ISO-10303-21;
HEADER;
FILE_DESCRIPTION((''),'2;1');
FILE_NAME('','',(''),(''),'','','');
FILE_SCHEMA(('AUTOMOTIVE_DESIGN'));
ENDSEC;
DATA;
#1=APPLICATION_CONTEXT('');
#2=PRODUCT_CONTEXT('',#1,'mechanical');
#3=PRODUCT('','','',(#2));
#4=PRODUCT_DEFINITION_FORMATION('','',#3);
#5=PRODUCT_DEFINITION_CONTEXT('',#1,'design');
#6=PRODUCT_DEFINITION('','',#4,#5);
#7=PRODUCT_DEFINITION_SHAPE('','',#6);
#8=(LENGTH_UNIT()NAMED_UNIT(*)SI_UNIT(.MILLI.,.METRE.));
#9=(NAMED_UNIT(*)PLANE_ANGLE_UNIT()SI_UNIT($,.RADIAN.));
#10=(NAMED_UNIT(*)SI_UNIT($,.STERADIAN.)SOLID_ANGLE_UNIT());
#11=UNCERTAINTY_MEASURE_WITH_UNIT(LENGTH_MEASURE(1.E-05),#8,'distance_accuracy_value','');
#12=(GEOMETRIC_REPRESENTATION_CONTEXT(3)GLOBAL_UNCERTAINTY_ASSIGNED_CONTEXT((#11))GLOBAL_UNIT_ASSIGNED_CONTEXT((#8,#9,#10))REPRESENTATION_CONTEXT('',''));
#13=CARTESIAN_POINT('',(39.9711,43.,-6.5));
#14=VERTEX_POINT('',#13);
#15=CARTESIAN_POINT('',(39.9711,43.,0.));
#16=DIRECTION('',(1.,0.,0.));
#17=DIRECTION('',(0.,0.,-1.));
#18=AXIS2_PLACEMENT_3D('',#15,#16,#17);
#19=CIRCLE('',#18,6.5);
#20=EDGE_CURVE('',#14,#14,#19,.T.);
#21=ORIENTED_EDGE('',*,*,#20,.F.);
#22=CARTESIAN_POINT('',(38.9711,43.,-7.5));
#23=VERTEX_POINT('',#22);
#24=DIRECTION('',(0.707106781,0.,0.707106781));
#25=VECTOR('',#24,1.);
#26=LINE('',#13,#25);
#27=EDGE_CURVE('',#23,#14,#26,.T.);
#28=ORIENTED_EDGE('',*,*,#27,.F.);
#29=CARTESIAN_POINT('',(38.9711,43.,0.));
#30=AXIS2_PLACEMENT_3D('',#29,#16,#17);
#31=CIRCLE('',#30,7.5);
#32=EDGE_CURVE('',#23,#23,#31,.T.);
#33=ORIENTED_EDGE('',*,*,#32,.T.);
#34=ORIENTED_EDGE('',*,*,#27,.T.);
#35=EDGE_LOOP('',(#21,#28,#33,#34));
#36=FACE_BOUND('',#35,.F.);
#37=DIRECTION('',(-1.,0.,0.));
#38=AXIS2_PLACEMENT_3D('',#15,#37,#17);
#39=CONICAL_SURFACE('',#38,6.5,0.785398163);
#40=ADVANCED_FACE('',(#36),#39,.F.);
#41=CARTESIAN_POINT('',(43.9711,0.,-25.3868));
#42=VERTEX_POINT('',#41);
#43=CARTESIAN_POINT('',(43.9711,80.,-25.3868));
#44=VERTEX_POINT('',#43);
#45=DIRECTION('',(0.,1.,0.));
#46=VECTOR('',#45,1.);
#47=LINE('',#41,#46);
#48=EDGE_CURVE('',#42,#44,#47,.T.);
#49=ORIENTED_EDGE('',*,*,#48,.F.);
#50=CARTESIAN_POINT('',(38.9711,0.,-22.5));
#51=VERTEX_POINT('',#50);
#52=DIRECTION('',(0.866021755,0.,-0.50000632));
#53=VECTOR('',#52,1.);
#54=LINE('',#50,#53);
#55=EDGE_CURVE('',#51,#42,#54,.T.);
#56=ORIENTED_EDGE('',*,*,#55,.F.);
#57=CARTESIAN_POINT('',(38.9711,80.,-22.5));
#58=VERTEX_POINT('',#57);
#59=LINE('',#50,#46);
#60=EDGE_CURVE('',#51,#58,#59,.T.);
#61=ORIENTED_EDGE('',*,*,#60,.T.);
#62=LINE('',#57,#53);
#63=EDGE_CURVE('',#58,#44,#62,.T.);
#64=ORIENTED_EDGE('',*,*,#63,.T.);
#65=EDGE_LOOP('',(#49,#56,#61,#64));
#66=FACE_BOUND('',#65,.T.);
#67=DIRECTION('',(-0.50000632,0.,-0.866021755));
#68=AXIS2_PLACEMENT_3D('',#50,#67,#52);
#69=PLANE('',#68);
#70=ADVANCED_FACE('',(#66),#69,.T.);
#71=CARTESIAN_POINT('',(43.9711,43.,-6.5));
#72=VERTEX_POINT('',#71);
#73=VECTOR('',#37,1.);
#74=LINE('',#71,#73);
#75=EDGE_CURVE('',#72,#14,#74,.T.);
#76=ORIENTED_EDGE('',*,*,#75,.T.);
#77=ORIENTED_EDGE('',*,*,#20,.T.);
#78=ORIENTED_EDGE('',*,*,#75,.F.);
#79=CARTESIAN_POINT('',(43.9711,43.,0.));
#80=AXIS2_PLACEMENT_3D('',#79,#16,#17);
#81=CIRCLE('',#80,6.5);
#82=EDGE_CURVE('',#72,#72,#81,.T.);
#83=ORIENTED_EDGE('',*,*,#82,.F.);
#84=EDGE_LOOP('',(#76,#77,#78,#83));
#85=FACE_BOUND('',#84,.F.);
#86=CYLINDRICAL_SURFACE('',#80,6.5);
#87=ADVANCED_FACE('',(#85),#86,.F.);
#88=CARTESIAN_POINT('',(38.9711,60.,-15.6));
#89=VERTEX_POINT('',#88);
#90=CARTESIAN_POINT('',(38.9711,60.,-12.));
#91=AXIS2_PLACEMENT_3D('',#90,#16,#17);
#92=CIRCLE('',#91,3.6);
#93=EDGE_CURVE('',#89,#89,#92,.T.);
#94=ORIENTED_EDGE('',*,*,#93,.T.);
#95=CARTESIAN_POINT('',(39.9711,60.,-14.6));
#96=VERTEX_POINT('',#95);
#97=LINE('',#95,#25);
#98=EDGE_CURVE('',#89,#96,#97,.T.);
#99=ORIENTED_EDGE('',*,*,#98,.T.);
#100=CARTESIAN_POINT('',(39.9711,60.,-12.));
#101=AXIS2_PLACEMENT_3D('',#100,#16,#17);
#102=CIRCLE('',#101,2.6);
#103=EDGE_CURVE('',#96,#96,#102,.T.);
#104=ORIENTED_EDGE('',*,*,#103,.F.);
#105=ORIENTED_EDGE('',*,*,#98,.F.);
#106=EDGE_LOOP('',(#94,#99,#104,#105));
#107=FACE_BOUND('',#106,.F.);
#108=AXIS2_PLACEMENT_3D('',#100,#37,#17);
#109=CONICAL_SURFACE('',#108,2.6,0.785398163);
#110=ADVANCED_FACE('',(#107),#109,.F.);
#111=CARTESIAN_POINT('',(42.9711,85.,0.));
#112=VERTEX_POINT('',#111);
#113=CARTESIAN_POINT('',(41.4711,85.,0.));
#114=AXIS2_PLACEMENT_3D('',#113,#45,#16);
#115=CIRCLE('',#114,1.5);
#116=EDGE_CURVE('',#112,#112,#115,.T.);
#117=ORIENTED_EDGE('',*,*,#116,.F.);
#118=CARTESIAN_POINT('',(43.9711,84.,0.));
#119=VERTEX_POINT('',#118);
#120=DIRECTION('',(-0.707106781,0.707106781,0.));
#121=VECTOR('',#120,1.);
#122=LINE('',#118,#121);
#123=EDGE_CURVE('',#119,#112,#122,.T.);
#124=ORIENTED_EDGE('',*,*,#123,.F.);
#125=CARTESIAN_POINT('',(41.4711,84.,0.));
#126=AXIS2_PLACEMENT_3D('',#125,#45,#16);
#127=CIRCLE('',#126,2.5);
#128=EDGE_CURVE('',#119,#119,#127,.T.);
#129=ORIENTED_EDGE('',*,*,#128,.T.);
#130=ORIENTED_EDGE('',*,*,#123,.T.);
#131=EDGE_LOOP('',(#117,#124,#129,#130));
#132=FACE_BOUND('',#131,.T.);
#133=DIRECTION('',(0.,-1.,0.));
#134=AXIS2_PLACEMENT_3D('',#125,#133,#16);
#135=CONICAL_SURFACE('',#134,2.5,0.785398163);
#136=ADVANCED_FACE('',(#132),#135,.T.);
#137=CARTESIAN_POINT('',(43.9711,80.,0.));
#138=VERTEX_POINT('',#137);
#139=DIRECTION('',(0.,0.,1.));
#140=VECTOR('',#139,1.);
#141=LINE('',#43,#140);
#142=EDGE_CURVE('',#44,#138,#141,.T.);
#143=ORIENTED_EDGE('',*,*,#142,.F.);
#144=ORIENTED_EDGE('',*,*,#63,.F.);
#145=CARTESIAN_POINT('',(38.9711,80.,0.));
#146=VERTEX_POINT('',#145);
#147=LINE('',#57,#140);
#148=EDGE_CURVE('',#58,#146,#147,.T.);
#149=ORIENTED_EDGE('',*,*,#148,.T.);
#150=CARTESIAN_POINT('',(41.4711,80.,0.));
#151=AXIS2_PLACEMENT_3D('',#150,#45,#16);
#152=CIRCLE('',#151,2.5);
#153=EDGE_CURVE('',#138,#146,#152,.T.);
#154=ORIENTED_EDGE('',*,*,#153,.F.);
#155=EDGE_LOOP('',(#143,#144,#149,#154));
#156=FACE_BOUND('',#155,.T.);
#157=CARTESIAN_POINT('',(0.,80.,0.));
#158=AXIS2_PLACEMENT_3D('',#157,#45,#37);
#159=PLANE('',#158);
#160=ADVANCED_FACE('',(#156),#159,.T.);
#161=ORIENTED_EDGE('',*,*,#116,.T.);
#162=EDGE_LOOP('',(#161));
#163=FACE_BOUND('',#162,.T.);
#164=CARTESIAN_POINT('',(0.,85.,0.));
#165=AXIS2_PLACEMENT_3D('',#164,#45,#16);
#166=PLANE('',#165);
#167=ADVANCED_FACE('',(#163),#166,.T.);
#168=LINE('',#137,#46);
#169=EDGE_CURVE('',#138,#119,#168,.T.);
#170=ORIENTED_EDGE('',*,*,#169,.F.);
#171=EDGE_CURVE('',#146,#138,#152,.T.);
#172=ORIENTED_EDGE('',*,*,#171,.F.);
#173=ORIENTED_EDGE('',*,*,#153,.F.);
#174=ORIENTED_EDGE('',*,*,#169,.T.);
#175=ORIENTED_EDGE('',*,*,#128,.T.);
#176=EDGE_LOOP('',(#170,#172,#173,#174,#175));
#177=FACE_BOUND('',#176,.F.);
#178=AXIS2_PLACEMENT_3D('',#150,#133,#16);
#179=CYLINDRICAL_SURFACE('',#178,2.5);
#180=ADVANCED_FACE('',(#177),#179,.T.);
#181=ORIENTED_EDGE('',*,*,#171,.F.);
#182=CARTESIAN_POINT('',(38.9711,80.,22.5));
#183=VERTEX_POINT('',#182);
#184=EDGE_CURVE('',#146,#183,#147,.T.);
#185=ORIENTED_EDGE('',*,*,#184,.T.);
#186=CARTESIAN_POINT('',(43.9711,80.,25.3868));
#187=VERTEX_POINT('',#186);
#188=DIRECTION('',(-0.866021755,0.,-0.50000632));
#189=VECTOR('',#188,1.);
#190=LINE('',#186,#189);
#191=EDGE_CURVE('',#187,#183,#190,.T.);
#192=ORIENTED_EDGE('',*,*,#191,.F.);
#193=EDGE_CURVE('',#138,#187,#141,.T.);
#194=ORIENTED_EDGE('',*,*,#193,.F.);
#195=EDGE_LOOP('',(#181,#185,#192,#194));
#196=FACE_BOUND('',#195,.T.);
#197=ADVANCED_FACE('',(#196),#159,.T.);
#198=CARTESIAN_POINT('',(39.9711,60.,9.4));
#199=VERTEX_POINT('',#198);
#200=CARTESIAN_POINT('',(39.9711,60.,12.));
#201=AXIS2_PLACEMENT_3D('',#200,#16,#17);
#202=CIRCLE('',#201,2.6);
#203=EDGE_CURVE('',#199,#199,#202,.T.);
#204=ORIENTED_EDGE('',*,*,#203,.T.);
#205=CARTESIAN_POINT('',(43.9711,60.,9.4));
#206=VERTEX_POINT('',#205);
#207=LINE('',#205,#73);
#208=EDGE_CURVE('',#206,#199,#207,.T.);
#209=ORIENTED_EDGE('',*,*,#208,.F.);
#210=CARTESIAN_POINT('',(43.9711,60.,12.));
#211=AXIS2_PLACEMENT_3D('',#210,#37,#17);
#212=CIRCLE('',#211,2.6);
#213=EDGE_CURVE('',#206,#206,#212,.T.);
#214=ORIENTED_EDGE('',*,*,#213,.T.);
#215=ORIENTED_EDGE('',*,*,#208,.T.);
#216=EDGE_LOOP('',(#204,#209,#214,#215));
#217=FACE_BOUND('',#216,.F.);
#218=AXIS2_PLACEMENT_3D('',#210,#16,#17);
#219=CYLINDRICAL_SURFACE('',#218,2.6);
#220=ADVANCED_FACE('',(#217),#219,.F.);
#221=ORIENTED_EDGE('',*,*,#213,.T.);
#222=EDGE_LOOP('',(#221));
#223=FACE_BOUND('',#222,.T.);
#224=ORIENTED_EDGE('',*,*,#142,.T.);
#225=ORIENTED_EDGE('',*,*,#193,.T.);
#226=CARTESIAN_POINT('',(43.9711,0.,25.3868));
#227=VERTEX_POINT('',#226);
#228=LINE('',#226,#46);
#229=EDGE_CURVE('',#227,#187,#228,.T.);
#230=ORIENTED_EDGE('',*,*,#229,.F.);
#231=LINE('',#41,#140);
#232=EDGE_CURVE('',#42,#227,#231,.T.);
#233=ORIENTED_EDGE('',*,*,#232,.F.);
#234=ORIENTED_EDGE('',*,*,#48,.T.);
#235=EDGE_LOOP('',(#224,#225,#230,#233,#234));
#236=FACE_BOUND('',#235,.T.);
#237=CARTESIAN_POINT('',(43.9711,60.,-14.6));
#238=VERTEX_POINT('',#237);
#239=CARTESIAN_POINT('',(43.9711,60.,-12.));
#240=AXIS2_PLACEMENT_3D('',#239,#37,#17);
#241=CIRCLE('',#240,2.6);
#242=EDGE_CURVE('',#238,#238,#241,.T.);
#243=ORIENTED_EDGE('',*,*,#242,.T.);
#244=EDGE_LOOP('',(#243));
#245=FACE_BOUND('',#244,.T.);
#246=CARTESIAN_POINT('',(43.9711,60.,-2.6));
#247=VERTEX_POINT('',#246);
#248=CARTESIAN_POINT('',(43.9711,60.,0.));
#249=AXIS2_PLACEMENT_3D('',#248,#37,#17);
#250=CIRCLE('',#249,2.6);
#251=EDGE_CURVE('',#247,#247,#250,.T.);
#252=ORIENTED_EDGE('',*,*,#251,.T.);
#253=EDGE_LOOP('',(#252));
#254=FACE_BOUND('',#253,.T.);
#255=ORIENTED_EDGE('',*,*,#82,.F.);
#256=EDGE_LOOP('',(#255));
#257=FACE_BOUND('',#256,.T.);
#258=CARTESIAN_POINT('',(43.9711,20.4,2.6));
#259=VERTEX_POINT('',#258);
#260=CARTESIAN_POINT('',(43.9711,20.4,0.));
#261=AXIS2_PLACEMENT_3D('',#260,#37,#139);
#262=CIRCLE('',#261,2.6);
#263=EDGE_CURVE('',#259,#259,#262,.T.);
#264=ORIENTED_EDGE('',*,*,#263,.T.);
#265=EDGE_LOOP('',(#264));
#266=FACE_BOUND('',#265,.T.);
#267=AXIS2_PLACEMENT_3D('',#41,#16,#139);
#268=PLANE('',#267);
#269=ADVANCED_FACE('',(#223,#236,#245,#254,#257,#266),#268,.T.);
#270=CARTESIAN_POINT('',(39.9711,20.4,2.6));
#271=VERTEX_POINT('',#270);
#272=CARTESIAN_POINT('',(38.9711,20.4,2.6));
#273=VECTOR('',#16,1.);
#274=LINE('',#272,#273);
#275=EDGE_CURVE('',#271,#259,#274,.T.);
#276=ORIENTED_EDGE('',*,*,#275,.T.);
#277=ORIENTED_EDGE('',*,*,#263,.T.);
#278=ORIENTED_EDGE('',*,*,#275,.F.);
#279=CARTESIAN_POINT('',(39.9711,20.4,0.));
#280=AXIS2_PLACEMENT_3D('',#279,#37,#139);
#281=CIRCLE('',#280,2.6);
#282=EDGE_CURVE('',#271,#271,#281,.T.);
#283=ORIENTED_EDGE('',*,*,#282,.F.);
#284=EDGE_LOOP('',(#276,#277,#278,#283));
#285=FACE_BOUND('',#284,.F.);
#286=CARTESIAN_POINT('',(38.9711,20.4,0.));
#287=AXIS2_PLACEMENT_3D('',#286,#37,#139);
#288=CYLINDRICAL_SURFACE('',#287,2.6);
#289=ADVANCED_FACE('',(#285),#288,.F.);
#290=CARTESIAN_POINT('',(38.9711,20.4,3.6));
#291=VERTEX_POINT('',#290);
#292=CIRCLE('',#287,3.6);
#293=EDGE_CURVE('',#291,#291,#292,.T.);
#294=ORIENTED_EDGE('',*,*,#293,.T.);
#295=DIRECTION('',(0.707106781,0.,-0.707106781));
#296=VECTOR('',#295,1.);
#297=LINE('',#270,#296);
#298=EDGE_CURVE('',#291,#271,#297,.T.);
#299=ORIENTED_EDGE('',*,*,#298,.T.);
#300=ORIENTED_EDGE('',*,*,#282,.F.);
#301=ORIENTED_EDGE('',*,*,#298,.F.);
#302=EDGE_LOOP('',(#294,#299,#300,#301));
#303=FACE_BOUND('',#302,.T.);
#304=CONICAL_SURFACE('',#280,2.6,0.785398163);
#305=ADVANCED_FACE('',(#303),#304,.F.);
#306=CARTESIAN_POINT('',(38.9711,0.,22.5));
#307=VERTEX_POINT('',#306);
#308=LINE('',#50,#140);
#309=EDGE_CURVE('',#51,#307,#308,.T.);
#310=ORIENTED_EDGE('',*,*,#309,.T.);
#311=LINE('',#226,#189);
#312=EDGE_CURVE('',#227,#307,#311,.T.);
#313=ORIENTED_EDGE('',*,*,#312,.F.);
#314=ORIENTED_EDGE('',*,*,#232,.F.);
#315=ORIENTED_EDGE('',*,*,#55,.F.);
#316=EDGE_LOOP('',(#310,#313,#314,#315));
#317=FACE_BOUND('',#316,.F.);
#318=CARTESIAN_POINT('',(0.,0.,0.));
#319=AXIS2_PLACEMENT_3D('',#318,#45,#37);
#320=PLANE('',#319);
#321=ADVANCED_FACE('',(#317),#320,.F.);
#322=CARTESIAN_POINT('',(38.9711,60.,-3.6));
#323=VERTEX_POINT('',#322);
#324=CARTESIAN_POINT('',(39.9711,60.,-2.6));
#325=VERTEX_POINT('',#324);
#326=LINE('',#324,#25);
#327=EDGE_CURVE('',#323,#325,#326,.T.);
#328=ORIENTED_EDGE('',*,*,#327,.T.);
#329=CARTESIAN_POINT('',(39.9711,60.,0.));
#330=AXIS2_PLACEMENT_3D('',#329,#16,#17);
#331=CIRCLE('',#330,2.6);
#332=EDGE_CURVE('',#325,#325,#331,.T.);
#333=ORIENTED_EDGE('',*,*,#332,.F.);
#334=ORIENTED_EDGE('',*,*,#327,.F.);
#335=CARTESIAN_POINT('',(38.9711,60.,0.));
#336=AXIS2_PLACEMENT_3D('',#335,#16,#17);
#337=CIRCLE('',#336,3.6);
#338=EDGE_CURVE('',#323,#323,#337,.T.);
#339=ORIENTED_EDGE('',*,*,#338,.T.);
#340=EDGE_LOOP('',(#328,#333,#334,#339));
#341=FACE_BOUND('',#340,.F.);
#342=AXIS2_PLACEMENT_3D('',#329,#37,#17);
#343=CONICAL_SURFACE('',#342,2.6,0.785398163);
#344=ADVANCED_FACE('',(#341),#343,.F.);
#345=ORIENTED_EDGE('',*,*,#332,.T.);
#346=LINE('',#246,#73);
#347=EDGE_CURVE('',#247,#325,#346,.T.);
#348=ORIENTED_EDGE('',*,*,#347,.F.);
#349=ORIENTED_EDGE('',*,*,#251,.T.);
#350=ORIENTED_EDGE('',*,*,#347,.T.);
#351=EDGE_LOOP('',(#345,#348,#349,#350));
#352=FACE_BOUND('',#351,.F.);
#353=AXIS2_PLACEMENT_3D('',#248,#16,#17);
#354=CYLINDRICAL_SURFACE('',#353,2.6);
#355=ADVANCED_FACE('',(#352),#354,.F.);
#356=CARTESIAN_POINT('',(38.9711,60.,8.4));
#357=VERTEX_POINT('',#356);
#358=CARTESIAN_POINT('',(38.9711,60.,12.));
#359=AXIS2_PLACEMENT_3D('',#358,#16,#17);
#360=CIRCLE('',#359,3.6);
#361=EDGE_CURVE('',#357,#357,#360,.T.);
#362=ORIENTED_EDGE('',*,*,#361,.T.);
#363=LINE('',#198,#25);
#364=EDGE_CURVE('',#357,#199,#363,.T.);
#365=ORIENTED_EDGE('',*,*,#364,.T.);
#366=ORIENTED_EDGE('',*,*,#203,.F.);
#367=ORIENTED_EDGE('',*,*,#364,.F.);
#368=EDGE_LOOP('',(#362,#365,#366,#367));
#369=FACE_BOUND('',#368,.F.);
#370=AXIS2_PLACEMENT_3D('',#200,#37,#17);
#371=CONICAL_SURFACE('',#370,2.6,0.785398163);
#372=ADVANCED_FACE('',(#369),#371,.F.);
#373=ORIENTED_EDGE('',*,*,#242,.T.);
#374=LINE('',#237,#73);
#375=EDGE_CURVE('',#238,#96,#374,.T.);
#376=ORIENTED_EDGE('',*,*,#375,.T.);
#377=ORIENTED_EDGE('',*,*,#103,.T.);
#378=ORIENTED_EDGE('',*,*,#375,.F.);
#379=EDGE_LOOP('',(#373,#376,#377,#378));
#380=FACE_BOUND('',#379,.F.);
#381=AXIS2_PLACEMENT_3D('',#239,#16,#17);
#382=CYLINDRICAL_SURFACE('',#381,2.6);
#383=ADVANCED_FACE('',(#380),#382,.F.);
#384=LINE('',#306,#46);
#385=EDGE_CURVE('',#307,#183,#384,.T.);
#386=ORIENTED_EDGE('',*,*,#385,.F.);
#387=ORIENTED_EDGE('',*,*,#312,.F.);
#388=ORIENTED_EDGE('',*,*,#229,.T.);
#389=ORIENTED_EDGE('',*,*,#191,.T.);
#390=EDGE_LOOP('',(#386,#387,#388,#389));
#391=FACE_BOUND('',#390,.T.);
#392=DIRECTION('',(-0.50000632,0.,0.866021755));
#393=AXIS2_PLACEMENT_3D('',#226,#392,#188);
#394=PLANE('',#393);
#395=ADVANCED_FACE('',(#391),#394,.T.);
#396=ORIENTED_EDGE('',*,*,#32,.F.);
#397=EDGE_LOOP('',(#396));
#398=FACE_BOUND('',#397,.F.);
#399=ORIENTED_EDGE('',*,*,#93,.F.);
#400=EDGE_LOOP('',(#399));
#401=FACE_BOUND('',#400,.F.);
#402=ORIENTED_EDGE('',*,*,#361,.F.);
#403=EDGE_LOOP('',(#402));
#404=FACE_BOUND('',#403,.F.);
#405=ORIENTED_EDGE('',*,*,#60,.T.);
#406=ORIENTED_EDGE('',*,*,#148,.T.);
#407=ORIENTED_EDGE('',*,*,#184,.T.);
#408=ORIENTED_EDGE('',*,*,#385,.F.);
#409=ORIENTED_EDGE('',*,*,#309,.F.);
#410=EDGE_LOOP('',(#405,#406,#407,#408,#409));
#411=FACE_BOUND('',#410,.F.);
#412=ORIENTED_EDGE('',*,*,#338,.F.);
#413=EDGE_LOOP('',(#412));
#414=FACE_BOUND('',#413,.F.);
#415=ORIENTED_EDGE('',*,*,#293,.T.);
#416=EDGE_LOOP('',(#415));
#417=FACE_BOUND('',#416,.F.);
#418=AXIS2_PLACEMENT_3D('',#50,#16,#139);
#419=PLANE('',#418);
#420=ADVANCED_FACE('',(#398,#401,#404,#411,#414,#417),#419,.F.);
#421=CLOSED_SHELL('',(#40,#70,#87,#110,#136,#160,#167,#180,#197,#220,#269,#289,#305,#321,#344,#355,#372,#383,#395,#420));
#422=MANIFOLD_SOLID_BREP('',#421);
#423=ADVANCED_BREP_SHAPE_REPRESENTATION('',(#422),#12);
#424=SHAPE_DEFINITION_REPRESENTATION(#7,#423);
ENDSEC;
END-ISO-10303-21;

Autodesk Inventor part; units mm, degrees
ref_plane "YZ Plane" through (0, 0, 0) normal (1, 0, 0) x (0, 1, 0)
ref_plane "XZ Plane" through (0, 0, 0) normal (0, 1, 0) x (-1, 0, 0)
ref_plane "XY Plane" through (0, 0, 0) normal (0, 0, 1) x (1, 0, 0)
sketch "스케치2" plane through (0, 0, 0) normal (0, 1, 0) x (-1, 0, 0)
  line L0 (0, 45) -> (38.9711, 22.5)
  line L1 (38.9711, 22.5) -> (38.9711, -22.5)
  line L2 (38.9711, -22.5) -> (0, -45)
  line L3 (0, -45) -> (-38.9711, -22.5)
  line L4 (-38.9711, -22.5) -> (-38.9711, 22.5)
  line L5 (-38.9711, 22.5) -> (0, 45)
  line L6 (0, 50.7735) -> (43.9711, 25.3868)
  line L7 (43.9711, 25.3868) -> (43.9711, -25.3868)
  line L8 (43.9711, -25.3868) -> (0, -50.7735)
  line L9 (0, -50.7735) -> (-43.9711, -25.3868)
  line L10 (-43.9711, -25.3868) -> (-43.9711, 25.3868)
  line L11 (-43.9711, 25.3868) -> (0, 50.7735)
  line L12 (-43.9711, 25.3868) -> (-38.9711, 22.5)
  line L13 (-38.9711, -22.5) -> (-43.9711, -25.3868)
  point P0 (0, 0)
  point P1 (0, 0)
  dimension "d0" = 45
  dimension "d1" = 5
extrude "돌출1" add sketch "스케치2" along normal blind 80 contours L4 L13 L10 L12
sketch "스케치3" plane through (38.9711, 0, -22.5) normal (-1, 0, 0) x (0, 0, 1)
  line L0 (0, 0) -> (45, 0) construction
  circle A0 centre (22.5, 20.4) radius 2.6
  point P0 (22.5, 0)
  point P1 (22.5, 0)
  dimension "d4" = 5.2
  dimension "d5" = 20.4
extrude "돌출2" cut sketch "스케치3" against normal through all
sketch "스케치4" plane through (0, 80, 0) normal (0, 1, 0) x (1, 0, 0)
  line L0 (38.9711, 22.5) -> (38.9711, -22.5) construction
  circle A0 centre (41.4711, 0) radius 2.5
  point P0 (0, 0)
  dimension "d8" = 5
extrude "돌출3" add sketch "스케치4" along normal blind 5
sketch "스케치5" plane through (43.9711, 0, 25.3868) normal (1, 0, 0) x (0, 0, -1)
  line L0 (50.7735, 0) -> (50.7735, 80) construction
  line L1 (25.3868, 80) -> (50.7735, 80) construction
  line L2 (0, 0) -> (0, 80) construction
  circle A0 centre (25.3868, 60) radius 2.6
  circle A1 centre (13.3868, 60) radius 2.6
  circle A2 centre (37.3868, 60) radius 2.6
  line L3 (0, 60) -> (50.7735, 60)
  point P0 (25.3868, 0)
  dimension "d11" = 20
  dimension "d12" = 0
  dimension "d13" = 0
  dimension "d14" = 0
  dimension "d15" = 12
  dimension "d16" = 12
  dimension "d17" = 5.2
  dimension "d18" = 5.2
  dimension "d19" = 5.2
extrude "돌출4" cut sketch "스케치5" against normal through all
sketch "스케치6" plane through (43.9711, 0, 25.3868) normal (1, 0, 0) x (0, 0, -1)
  line L0 (0, 0) -> (50.7735, 0) construction
  circle A0 centre (25.3868, 43) radius 6.5
  point P0 (25.3868, 0)
  dimension "d22" = 13
  dimension "d23" = 43
extrude "돌출5" cut sketch "스케치6" against normal through all
chamfer "모따기1" distance 1 angle 45 6 edges at (38.9711, 85, 0) (38.9711, 60, -9.4) (38.9711, 60, 2.6) (38.9711, 60, 14.6) (38.9711, 43, 6.5) (38.9711, 20.4, -2.6)
properties part number "col_face"
